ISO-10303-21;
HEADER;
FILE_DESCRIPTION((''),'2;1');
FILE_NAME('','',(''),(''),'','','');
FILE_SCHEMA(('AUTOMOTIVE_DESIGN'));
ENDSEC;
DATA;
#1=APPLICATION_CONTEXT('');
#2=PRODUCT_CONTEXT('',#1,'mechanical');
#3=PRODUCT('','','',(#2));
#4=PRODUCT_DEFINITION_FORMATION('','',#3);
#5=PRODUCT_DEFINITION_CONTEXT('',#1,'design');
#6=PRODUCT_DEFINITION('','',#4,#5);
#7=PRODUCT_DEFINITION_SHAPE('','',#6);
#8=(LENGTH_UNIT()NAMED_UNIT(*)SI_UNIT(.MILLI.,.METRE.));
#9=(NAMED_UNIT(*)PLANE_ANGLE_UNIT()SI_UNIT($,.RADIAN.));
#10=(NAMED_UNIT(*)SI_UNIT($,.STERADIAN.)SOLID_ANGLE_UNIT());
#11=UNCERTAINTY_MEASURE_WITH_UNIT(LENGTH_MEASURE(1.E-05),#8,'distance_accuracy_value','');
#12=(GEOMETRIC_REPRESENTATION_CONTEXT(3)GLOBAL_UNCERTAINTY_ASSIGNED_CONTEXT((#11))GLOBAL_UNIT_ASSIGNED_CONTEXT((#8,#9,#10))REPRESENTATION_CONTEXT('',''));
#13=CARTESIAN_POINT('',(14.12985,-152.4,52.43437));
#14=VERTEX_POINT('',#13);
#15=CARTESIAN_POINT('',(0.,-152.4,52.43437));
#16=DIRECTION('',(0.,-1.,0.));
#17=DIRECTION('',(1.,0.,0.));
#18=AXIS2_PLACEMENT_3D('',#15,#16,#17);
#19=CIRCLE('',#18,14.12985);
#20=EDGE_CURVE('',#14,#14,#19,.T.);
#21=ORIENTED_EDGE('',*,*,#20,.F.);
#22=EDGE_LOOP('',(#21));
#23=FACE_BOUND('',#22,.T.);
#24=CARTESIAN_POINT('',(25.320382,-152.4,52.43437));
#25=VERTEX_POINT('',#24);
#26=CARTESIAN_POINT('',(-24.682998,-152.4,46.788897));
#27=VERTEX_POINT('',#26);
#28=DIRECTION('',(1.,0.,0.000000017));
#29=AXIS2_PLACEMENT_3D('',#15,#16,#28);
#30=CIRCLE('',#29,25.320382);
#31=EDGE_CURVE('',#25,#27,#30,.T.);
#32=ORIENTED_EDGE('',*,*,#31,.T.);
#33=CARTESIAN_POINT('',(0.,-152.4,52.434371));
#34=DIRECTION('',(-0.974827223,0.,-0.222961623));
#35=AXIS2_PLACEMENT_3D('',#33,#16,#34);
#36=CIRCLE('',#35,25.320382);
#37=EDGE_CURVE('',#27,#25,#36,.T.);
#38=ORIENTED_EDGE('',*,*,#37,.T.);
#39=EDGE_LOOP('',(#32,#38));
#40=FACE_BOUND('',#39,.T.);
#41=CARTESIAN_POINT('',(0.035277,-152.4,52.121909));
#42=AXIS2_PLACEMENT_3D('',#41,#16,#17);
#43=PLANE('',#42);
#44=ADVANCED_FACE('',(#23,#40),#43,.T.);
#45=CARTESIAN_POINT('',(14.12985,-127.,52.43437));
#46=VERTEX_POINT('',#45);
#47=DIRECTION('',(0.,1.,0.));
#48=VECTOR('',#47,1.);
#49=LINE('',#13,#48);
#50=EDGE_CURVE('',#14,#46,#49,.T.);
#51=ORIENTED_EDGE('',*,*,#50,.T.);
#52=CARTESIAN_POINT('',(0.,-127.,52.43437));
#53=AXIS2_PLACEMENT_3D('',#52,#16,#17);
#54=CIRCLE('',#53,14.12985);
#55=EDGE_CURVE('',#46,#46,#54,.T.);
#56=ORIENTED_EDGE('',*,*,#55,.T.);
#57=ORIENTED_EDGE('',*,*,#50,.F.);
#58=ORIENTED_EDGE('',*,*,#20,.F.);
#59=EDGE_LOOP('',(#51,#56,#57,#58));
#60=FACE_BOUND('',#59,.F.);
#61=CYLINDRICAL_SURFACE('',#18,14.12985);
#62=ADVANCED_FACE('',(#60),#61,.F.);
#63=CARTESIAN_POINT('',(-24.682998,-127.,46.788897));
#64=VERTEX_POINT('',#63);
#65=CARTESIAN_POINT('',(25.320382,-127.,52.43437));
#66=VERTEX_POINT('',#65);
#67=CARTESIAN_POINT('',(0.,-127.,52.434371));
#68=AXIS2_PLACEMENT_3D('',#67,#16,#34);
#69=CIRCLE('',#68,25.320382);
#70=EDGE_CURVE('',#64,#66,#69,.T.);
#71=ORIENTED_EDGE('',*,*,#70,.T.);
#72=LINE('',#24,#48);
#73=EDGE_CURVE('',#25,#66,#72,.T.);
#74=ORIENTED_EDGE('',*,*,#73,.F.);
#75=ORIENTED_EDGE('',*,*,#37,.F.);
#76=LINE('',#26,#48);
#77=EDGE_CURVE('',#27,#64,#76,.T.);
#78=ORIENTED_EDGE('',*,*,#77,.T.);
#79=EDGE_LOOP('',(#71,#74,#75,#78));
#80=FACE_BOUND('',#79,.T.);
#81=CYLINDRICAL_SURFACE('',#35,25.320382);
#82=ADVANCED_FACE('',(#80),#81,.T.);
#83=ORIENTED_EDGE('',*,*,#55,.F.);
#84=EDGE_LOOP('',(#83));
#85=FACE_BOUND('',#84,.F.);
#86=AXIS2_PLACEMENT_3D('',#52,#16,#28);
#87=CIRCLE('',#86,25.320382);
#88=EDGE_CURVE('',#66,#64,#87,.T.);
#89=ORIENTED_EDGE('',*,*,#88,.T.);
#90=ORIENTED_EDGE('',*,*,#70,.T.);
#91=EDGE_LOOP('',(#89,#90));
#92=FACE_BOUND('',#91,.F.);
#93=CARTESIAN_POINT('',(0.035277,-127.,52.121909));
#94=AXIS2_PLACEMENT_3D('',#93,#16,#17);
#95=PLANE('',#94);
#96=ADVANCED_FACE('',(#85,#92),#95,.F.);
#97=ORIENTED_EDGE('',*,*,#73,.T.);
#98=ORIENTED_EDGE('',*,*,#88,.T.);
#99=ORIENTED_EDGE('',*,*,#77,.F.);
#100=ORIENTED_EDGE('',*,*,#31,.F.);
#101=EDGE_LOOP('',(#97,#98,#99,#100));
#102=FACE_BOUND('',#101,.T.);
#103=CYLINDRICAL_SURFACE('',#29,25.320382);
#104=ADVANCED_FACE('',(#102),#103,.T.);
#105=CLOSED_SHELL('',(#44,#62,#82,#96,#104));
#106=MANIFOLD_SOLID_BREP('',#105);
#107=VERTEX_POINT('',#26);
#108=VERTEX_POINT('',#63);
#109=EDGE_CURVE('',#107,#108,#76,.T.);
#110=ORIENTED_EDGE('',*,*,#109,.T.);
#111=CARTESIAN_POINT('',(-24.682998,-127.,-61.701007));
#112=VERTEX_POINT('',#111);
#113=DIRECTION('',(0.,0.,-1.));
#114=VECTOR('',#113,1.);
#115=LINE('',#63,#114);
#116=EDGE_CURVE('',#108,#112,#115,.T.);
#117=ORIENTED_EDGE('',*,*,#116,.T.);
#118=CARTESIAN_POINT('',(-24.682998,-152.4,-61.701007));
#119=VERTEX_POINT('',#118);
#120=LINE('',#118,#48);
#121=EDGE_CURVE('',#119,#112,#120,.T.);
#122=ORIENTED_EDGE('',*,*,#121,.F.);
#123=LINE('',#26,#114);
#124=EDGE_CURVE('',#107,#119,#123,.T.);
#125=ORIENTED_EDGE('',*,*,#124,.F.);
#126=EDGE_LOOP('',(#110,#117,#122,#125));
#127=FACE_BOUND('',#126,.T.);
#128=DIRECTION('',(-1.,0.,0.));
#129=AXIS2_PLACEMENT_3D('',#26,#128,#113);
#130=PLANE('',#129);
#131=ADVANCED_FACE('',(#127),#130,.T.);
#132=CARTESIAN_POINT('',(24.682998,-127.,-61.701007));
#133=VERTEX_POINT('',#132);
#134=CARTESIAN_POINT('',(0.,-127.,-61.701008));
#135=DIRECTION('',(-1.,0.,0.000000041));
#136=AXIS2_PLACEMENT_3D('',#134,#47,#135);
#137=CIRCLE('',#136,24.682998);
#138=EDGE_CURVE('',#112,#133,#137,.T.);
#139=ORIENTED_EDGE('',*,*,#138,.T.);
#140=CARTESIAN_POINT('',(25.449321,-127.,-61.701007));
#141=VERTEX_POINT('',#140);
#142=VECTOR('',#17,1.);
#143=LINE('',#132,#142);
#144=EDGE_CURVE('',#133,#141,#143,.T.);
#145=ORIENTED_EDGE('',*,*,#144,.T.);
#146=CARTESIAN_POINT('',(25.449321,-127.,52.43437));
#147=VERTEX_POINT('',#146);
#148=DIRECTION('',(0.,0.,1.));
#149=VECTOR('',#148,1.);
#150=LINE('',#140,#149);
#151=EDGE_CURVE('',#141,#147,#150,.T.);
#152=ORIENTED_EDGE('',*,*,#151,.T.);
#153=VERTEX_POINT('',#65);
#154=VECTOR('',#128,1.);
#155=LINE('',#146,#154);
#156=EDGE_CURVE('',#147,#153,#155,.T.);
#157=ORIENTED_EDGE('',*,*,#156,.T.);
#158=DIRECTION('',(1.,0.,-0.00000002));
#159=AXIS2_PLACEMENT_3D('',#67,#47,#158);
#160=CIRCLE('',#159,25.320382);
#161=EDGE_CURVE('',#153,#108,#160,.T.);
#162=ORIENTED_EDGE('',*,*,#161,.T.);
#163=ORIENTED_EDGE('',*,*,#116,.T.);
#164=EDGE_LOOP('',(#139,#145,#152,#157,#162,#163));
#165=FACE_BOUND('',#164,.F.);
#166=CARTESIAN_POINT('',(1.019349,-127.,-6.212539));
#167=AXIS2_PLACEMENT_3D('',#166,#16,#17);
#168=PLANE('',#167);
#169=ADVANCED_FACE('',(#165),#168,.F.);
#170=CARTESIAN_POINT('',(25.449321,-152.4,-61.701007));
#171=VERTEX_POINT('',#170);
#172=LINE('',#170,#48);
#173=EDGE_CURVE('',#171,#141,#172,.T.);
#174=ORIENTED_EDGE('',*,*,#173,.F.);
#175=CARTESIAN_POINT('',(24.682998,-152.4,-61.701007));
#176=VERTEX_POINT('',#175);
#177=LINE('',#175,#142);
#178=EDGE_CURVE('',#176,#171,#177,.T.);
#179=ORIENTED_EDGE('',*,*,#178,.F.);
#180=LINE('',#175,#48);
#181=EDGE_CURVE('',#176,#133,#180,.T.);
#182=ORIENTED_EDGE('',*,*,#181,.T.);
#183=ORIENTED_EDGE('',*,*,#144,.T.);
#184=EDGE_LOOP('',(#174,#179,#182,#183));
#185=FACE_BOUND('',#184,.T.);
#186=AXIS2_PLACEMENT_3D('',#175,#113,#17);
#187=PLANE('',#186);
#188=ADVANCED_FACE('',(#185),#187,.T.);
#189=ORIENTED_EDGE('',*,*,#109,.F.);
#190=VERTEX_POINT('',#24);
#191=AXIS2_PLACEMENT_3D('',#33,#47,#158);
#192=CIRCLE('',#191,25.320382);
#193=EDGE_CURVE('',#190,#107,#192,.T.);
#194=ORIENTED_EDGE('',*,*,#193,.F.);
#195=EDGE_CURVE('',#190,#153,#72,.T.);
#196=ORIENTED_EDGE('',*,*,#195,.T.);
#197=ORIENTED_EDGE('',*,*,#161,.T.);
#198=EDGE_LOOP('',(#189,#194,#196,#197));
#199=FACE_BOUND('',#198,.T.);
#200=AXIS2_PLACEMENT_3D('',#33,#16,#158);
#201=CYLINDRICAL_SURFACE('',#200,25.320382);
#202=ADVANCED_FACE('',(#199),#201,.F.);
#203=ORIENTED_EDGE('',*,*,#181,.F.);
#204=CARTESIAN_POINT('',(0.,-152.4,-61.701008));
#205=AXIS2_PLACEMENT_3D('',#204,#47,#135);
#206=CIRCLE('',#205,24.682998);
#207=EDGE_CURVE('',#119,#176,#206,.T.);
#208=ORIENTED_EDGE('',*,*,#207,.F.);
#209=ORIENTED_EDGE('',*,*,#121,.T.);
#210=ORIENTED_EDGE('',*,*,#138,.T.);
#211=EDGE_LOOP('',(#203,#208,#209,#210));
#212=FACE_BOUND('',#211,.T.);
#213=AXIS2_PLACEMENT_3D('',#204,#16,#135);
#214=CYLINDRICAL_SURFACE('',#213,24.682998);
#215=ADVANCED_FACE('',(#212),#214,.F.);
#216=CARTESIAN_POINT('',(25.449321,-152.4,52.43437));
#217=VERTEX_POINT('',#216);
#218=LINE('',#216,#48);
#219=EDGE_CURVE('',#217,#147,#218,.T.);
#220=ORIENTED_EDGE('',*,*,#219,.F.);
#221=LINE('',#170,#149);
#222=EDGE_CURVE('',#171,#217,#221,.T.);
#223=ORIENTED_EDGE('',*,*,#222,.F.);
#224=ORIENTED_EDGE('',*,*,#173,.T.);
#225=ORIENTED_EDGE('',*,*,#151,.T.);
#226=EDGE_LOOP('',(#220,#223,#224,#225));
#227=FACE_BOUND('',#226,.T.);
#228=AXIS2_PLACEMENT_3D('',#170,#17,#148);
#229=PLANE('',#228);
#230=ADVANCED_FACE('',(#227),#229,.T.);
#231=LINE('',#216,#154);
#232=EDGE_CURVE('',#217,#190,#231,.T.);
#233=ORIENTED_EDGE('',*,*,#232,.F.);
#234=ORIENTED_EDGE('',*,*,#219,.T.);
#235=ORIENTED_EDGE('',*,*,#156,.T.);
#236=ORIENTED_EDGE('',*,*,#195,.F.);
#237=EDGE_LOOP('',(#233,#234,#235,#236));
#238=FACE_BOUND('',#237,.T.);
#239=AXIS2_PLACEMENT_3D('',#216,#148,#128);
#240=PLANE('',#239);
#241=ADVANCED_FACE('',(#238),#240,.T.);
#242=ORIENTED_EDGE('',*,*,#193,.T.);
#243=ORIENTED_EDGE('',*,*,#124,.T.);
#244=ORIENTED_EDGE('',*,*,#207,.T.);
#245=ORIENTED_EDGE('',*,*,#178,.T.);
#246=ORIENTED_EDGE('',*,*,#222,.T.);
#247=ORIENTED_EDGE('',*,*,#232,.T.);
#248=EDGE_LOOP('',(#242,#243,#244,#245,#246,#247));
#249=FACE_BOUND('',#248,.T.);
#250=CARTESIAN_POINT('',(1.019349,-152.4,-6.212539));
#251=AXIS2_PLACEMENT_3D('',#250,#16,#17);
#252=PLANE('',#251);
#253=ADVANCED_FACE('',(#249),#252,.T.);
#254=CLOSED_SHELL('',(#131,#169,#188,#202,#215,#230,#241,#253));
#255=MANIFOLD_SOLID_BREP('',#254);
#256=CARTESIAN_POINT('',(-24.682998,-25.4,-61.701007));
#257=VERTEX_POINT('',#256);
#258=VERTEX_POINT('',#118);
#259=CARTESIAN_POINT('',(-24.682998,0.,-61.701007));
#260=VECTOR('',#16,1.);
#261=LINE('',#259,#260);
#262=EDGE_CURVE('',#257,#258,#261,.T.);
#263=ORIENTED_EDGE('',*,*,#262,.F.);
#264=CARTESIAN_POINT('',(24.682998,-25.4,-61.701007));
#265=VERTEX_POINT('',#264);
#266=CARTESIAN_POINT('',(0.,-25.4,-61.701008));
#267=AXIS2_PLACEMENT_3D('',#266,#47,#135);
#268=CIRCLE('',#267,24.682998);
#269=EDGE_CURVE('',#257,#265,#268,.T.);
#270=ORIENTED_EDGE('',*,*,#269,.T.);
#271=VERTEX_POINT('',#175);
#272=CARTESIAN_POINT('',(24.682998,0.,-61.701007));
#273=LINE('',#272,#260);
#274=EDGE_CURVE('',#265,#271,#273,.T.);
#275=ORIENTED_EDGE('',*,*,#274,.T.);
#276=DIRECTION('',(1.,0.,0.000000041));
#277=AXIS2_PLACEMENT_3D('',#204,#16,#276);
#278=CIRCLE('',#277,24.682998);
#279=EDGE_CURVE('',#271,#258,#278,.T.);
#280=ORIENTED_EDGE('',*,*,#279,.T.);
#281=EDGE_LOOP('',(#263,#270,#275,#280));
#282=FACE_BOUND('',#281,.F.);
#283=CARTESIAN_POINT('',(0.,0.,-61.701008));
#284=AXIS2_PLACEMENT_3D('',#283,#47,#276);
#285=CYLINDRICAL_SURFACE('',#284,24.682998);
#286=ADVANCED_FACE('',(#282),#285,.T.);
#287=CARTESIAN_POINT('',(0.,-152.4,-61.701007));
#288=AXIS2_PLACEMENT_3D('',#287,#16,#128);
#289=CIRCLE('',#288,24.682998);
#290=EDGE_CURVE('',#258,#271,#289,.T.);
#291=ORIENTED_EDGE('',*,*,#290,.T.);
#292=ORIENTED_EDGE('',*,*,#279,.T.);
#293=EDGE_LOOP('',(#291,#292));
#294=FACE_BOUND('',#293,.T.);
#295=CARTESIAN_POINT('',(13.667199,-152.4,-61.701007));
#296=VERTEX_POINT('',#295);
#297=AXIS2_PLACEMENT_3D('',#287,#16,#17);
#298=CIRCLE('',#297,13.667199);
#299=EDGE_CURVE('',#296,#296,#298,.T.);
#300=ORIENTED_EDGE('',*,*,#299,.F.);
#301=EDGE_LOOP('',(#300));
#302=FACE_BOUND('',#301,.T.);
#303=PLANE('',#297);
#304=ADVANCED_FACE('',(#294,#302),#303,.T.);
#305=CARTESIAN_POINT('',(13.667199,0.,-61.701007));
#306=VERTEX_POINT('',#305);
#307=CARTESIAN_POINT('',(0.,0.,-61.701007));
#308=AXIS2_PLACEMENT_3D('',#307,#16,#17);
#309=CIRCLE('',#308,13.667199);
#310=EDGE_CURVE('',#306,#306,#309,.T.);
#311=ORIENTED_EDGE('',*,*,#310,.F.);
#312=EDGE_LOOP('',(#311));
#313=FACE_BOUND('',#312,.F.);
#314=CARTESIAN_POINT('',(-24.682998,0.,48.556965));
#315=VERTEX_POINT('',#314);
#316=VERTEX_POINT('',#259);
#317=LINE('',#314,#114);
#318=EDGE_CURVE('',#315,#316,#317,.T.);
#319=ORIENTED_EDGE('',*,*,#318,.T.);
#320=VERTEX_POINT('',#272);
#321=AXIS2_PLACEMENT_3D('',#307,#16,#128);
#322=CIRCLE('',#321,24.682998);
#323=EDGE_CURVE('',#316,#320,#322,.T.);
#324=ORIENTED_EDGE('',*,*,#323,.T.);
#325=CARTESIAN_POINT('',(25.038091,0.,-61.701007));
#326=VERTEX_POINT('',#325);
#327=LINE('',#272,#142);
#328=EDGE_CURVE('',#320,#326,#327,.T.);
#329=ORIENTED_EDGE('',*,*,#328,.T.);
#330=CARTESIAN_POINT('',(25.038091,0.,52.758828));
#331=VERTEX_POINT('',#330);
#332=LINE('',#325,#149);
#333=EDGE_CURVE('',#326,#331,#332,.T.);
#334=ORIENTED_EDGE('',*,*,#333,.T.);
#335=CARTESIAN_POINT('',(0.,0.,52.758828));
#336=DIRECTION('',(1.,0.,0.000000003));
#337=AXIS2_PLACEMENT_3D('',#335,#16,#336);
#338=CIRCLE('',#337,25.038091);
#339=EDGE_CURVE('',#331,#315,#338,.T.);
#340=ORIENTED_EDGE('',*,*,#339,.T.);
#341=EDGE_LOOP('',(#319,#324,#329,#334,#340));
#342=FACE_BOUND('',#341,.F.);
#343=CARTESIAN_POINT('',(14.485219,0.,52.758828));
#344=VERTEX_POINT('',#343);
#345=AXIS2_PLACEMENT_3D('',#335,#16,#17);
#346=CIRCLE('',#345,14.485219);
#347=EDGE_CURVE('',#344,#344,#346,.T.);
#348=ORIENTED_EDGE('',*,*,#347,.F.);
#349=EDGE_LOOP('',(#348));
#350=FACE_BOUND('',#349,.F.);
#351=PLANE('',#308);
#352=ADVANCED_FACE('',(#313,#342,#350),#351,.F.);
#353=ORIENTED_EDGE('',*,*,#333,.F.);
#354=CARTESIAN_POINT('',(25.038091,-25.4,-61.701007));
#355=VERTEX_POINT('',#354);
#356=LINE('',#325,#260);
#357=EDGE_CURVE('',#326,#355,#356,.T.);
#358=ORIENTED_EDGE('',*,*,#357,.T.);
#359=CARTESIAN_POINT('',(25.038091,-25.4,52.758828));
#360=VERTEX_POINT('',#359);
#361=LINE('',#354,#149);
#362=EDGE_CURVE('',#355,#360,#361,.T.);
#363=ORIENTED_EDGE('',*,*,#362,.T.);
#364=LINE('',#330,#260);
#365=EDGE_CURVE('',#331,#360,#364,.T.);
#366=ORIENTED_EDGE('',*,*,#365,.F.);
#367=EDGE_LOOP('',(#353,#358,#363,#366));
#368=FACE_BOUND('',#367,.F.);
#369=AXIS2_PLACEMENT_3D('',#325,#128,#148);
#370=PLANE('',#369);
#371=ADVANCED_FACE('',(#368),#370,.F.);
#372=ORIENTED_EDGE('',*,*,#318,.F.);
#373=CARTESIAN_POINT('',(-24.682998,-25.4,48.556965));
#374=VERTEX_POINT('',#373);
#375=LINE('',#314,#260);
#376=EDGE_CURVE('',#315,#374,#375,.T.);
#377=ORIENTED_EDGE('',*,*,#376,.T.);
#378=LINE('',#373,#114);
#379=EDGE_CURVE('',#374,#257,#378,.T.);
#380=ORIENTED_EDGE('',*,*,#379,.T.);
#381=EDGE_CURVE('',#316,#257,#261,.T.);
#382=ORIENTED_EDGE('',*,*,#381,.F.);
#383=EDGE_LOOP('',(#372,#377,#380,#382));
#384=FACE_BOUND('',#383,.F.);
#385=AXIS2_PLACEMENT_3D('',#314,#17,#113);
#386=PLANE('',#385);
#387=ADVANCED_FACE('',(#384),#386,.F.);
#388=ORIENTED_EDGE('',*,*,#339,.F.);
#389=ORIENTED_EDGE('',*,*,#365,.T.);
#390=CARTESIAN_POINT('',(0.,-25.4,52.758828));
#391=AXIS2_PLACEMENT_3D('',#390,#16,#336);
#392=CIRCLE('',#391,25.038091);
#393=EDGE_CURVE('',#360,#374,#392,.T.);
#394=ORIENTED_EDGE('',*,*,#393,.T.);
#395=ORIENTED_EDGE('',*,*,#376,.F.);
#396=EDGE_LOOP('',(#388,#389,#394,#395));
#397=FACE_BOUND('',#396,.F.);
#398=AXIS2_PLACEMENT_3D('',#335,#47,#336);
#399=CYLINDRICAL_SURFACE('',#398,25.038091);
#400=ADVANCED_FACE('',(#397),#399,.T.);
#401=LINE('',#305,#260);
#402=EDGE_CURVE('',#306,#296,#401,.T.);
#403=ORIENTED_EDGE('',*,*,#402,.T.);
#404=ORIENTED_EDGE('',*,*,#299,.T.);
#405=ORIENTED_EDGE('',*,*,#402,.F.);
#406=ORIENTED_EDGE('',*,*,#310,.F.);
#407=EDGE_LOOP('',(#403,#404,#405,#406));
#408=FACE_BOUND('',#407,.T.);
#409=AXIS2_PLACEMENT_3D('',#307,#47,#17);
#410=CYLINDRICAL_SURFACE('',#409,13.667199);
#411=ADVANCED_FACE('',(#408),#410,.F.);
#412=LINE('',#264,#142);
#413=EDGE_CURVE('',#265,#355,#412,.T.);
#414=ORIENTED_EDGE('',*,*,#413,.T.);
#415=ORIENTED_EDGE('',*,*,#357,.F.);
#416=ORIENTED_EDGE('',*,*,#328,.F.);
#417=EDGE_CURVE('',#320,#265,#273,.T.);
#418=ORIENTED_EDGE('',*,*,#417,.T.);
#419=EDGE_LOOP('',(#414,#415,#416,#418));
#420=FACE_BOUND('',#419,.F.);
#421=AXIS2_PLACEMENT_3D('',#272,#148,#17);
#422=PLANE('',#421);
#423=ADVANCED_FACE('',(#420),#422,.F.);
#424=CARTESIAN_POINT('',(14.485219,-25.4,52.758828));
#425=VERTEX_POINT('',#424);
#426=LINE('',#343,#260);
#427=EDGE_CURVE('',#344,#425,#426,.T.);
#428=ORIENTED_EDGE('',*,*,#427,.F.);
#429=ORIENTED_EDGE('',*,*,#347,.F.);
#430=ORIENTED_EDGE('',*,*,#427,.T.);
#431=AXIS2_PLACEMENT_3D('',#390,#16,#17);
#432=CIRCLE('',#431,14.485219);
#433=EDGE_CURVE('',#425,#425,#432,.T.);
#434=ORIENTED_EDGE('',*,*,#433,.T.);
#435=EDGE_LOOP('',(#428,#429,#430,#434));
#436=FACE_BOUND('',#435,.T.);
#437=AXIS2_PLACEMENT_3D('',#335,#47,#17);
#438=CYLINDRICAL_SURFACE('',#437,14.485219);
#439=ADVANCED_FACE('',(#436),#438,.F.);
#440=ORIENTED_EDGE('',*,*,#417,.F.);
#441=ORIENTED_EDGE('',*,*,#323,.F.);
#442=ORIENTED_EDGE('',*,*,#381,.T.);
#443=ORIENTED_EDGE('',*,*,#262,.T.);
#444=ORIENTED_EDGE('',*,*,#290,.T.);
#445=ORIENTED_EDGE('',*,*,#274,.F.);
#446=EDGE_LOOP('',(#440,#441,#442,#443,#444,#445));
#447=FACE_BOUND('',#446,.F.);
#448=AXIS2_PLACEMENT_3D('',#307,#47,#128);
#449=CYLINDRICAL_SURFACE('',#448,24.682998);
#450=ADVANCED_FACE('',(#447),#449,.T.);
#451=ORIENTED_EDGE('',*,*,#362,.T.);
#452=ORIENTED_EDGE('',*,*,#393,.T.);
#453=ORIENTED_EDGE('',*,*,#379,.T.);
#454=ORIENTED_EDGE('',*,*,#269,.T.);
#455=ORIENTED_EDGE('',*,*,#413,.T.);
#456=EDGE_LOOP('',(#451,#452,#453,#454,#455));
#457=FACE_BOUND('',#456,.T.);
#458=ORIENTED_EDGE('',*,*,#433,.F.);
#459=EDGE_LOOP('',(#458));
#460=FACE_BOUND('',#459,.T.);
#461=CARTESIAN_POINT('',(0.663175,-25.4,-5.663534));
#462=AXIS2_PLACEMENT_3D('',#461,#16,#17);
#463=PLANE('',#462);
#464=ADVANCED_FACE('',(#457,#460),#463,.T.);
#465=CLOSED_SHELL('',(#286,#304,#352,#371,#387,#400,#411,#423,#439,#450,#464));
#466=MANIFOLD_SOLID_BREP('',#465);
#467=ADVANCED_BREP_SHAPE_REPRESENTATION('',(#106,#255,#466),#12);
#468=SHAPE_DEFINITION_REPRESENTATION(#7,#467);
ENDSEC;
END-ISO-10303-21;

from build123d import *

# Parameters (mm, degrees)
F0_R     = 14.485219
F1_DEPTH = 25.4
F2_DEPTH = 25.4
F0_R_2   = 13.667199
F3_DEPTH = 152.4
F5_DEPTH = 25.4
F4_R     = 14.12985
F6_DEPTH = 25.4


with BuildPart() as f1:
    # F0 (on Front) → F1 (new body)
    with BuildSketch(Plane.XZ):
        with BuildLine():
            ThreePointArc((25.038091, 52.758828), (-2.10842, 77.707988), (-24.682998, 48.556965))
            ThreePointArc((-24.682998, 48.556965), (2.10842, 27.809668), (25.038091, 52.758828))
        make_face()
        with Locations((0, 52.758828)):
            Circle(F0_R, mode=Mode.SUBTRACT)
    extrude(amount=F1_DEPTH)

    # F0 (on Front) → F2 (join)
    with BuildSketch(Plane.XZ):
        with BuildLine():
            ThreePointArc((-24.682998, -61.701007), (0, -37.01801), (24.682998, -61.701007))
            Line((24.682998, -61.701007), (25.038091, -61.701007))
            Line((25.038091, -61.701007), (25.038091, 52.758828))
            ThreePointArc((25.038091, 52.758828), (2.10842, 27.809668), (-24.682998, 48.556965))
            Line((-24.682998, 48.556965), (-24.682998, -61.701007))
        make_face()
    extrude(amount=F2_DEPTH)

    # F0 (on Front) → F3 (join)
    with BuildSketch(Plane.XZ):
        with BuildLine():
            ThreePointArc((-24.682998, -61.701007), (0, -86.384005), (24.682998, -61.701007))
            ThreePointArc((24.682998, -61.701007), (0, -37.01801), (-24.682998, -61.701007))
        make_face()
        with Locations((0, -61.701007)):
            Circle(F0_R_2, mode=Mode.SUBTRACT)
    extrude(amount=F3_DEPTH)


with BuildPart() as f5:
    # F4 (on face) → F5 (new body)
    with BuildSketch(Plane.XZ.offset(152.4)):
        with BuildLine():
            Line((-24.682998, 46.788897), (-24.682998, -61.701007))
            ThreePointArc((-24.682998, -61.701007), (0, -37.01801), (24.682998, -61.701007))
            Line((24.682998, -61.701007), (25.449321, -61.701007))
            Line((25.449321, -61.701007), (25.449321, 52.43437))
            Line((25.449321, 52.43437), (25.320382, 52.43437))
            ThreePointArc((25.320382, 52.43437), (2.84067, 27.273839), (-24.682998, 46.788897))
        make_face()
    extrude(amount=-F5_DEPTH)


with BuildPart() as f6:
    # F4 (on face) → F6 (new body)
    with BuildSketch(Plane.XZ.offset(152.4)):
        with BuildLine():
            ThreePointArc((25.320382, 52.43437), (-2.84067, 77.594901), (-24.682998, 46.788897))
            ThreePointArc((-24.682998, 46.788897), (2.84067, 27.273839), (25.320382, 52.43437))
        make_face()
        with Locations((0, 52.43437)):
            Circle(F4_R, mode=Mode.SUBTRACT)
    extrude(amount=-F6_DEPTH)


solid = Compound([f1.part, f5.part, f6.part])
